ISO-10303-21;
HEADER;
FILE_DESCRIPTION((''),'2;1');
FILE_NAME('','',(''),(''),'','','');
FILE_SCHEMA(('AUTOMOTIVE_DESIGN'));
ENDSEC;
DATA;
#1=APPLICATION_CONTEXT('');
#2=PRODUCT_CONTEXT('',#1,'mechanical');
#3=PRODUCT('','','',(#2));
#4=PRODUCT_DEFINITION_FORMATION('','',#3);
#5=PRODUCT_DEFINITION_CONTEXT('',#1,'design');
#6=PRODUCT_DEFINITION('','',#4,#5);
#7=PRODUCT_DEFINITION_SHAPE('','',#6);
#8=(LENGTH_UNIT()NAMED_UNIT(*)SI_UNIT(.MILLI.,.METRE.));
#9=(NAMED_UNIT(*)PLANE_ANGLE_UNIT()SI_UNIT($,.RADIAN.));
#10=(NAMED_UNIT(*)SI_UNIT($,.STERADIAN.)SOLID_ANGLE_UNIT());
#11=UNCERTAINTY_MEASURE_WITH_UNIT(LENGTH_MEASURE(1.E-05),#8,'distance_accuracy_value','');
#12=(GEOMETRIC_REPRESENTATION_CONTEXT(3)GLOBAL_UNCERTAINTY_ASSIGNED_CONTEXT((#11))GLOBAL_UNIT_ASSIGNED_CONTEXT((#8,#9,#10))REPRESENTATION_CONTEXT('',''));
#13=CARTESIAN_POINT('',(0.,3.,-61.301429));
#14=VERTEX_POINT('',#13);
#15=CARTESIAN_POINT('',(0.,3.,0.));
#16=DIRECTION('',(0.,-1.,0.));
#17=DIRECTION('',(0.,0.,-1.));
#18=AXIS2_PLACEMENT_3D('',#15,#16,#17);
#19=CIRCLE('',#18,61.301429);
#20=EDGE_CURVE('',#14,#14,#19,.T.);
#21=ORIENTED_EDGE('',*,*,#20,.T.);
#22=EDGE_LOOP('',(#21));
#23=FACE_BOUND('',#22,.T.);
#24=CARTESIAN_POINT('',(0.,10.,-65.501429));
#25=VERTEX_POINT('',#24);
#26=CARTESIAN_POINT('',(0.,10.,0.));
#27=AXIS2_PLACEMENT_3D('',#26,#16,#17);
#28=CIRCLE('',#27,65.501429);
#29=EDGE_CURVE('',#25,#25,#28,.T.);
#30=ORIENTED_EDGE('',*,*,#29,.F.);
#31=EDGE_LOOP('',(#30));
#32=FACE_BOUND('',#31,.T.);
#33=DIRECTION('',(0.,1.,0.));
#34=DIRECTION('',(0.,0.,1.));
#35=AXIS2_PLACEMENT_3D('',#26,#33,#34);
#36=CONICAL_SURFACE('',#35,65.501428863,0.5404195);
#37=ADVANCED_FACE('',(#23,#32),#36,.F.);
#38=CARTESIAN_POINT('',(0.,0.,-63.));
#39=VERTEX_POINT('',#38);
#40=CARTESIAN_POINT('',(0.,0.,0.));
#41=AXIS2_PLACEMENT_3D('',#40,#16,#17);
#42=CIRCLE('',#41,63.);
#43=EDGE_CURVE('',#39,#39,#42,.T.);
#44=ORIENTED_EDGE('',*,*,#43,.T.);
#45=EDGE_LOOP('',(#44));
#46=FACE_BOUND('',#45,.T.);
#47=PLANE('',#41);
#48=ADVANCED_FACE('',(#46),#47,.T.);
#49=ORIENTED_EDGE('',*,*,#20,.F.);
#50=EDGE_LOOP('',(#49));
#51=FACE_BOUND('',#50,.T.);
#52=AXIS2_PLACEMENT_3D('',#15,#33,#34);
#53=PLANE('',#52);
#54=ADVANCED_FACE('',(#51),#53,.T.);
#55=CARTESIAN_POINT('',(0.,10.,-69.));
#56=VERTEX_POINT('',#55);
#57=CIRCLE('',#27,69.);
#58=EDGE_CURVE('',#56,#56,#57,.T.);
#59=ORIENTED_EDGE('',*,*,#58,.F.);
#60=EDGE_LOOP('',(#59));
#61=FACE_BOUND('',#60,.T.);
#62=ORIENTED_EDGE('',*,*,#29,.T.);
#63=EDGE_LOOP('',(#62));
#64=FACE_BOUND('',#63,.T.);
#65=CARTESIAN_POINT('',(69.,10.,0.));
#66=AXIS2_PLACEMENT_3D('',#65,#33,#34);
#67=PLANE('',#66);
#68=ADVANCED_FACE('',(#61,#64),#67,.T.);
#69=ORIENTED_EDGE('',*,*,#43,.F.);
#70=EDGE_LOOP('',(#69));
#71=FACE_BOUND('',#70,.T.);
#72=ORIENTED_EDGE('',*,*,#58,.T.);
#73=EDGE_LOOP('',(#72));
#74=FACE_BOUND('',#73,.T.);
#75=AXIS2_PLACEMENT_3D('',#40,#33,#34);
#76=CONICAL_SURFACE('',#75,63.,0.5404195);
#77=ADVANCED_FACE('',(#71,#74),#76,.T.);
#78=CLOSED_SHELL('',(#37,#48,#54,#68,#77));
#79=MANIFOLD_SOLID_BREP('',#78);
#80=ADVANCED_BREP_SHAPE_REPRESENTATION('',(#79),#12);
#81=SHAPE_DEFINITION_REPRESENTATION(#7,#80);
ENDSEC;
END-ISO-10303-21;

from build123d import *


with BuildPart() as part:
    # Sketch1 → Revolve1 (revolve)
    with BuildSketch(Plane.XY):
        Polygon((0, 0), (63, 0), (69, 10), (65.501428863, 10), (61.301428863, 3), (0, 3), align=None)
    revolve(axis=Axis((0, 0, 0), (0, 1, 0)))


solid = part.part
